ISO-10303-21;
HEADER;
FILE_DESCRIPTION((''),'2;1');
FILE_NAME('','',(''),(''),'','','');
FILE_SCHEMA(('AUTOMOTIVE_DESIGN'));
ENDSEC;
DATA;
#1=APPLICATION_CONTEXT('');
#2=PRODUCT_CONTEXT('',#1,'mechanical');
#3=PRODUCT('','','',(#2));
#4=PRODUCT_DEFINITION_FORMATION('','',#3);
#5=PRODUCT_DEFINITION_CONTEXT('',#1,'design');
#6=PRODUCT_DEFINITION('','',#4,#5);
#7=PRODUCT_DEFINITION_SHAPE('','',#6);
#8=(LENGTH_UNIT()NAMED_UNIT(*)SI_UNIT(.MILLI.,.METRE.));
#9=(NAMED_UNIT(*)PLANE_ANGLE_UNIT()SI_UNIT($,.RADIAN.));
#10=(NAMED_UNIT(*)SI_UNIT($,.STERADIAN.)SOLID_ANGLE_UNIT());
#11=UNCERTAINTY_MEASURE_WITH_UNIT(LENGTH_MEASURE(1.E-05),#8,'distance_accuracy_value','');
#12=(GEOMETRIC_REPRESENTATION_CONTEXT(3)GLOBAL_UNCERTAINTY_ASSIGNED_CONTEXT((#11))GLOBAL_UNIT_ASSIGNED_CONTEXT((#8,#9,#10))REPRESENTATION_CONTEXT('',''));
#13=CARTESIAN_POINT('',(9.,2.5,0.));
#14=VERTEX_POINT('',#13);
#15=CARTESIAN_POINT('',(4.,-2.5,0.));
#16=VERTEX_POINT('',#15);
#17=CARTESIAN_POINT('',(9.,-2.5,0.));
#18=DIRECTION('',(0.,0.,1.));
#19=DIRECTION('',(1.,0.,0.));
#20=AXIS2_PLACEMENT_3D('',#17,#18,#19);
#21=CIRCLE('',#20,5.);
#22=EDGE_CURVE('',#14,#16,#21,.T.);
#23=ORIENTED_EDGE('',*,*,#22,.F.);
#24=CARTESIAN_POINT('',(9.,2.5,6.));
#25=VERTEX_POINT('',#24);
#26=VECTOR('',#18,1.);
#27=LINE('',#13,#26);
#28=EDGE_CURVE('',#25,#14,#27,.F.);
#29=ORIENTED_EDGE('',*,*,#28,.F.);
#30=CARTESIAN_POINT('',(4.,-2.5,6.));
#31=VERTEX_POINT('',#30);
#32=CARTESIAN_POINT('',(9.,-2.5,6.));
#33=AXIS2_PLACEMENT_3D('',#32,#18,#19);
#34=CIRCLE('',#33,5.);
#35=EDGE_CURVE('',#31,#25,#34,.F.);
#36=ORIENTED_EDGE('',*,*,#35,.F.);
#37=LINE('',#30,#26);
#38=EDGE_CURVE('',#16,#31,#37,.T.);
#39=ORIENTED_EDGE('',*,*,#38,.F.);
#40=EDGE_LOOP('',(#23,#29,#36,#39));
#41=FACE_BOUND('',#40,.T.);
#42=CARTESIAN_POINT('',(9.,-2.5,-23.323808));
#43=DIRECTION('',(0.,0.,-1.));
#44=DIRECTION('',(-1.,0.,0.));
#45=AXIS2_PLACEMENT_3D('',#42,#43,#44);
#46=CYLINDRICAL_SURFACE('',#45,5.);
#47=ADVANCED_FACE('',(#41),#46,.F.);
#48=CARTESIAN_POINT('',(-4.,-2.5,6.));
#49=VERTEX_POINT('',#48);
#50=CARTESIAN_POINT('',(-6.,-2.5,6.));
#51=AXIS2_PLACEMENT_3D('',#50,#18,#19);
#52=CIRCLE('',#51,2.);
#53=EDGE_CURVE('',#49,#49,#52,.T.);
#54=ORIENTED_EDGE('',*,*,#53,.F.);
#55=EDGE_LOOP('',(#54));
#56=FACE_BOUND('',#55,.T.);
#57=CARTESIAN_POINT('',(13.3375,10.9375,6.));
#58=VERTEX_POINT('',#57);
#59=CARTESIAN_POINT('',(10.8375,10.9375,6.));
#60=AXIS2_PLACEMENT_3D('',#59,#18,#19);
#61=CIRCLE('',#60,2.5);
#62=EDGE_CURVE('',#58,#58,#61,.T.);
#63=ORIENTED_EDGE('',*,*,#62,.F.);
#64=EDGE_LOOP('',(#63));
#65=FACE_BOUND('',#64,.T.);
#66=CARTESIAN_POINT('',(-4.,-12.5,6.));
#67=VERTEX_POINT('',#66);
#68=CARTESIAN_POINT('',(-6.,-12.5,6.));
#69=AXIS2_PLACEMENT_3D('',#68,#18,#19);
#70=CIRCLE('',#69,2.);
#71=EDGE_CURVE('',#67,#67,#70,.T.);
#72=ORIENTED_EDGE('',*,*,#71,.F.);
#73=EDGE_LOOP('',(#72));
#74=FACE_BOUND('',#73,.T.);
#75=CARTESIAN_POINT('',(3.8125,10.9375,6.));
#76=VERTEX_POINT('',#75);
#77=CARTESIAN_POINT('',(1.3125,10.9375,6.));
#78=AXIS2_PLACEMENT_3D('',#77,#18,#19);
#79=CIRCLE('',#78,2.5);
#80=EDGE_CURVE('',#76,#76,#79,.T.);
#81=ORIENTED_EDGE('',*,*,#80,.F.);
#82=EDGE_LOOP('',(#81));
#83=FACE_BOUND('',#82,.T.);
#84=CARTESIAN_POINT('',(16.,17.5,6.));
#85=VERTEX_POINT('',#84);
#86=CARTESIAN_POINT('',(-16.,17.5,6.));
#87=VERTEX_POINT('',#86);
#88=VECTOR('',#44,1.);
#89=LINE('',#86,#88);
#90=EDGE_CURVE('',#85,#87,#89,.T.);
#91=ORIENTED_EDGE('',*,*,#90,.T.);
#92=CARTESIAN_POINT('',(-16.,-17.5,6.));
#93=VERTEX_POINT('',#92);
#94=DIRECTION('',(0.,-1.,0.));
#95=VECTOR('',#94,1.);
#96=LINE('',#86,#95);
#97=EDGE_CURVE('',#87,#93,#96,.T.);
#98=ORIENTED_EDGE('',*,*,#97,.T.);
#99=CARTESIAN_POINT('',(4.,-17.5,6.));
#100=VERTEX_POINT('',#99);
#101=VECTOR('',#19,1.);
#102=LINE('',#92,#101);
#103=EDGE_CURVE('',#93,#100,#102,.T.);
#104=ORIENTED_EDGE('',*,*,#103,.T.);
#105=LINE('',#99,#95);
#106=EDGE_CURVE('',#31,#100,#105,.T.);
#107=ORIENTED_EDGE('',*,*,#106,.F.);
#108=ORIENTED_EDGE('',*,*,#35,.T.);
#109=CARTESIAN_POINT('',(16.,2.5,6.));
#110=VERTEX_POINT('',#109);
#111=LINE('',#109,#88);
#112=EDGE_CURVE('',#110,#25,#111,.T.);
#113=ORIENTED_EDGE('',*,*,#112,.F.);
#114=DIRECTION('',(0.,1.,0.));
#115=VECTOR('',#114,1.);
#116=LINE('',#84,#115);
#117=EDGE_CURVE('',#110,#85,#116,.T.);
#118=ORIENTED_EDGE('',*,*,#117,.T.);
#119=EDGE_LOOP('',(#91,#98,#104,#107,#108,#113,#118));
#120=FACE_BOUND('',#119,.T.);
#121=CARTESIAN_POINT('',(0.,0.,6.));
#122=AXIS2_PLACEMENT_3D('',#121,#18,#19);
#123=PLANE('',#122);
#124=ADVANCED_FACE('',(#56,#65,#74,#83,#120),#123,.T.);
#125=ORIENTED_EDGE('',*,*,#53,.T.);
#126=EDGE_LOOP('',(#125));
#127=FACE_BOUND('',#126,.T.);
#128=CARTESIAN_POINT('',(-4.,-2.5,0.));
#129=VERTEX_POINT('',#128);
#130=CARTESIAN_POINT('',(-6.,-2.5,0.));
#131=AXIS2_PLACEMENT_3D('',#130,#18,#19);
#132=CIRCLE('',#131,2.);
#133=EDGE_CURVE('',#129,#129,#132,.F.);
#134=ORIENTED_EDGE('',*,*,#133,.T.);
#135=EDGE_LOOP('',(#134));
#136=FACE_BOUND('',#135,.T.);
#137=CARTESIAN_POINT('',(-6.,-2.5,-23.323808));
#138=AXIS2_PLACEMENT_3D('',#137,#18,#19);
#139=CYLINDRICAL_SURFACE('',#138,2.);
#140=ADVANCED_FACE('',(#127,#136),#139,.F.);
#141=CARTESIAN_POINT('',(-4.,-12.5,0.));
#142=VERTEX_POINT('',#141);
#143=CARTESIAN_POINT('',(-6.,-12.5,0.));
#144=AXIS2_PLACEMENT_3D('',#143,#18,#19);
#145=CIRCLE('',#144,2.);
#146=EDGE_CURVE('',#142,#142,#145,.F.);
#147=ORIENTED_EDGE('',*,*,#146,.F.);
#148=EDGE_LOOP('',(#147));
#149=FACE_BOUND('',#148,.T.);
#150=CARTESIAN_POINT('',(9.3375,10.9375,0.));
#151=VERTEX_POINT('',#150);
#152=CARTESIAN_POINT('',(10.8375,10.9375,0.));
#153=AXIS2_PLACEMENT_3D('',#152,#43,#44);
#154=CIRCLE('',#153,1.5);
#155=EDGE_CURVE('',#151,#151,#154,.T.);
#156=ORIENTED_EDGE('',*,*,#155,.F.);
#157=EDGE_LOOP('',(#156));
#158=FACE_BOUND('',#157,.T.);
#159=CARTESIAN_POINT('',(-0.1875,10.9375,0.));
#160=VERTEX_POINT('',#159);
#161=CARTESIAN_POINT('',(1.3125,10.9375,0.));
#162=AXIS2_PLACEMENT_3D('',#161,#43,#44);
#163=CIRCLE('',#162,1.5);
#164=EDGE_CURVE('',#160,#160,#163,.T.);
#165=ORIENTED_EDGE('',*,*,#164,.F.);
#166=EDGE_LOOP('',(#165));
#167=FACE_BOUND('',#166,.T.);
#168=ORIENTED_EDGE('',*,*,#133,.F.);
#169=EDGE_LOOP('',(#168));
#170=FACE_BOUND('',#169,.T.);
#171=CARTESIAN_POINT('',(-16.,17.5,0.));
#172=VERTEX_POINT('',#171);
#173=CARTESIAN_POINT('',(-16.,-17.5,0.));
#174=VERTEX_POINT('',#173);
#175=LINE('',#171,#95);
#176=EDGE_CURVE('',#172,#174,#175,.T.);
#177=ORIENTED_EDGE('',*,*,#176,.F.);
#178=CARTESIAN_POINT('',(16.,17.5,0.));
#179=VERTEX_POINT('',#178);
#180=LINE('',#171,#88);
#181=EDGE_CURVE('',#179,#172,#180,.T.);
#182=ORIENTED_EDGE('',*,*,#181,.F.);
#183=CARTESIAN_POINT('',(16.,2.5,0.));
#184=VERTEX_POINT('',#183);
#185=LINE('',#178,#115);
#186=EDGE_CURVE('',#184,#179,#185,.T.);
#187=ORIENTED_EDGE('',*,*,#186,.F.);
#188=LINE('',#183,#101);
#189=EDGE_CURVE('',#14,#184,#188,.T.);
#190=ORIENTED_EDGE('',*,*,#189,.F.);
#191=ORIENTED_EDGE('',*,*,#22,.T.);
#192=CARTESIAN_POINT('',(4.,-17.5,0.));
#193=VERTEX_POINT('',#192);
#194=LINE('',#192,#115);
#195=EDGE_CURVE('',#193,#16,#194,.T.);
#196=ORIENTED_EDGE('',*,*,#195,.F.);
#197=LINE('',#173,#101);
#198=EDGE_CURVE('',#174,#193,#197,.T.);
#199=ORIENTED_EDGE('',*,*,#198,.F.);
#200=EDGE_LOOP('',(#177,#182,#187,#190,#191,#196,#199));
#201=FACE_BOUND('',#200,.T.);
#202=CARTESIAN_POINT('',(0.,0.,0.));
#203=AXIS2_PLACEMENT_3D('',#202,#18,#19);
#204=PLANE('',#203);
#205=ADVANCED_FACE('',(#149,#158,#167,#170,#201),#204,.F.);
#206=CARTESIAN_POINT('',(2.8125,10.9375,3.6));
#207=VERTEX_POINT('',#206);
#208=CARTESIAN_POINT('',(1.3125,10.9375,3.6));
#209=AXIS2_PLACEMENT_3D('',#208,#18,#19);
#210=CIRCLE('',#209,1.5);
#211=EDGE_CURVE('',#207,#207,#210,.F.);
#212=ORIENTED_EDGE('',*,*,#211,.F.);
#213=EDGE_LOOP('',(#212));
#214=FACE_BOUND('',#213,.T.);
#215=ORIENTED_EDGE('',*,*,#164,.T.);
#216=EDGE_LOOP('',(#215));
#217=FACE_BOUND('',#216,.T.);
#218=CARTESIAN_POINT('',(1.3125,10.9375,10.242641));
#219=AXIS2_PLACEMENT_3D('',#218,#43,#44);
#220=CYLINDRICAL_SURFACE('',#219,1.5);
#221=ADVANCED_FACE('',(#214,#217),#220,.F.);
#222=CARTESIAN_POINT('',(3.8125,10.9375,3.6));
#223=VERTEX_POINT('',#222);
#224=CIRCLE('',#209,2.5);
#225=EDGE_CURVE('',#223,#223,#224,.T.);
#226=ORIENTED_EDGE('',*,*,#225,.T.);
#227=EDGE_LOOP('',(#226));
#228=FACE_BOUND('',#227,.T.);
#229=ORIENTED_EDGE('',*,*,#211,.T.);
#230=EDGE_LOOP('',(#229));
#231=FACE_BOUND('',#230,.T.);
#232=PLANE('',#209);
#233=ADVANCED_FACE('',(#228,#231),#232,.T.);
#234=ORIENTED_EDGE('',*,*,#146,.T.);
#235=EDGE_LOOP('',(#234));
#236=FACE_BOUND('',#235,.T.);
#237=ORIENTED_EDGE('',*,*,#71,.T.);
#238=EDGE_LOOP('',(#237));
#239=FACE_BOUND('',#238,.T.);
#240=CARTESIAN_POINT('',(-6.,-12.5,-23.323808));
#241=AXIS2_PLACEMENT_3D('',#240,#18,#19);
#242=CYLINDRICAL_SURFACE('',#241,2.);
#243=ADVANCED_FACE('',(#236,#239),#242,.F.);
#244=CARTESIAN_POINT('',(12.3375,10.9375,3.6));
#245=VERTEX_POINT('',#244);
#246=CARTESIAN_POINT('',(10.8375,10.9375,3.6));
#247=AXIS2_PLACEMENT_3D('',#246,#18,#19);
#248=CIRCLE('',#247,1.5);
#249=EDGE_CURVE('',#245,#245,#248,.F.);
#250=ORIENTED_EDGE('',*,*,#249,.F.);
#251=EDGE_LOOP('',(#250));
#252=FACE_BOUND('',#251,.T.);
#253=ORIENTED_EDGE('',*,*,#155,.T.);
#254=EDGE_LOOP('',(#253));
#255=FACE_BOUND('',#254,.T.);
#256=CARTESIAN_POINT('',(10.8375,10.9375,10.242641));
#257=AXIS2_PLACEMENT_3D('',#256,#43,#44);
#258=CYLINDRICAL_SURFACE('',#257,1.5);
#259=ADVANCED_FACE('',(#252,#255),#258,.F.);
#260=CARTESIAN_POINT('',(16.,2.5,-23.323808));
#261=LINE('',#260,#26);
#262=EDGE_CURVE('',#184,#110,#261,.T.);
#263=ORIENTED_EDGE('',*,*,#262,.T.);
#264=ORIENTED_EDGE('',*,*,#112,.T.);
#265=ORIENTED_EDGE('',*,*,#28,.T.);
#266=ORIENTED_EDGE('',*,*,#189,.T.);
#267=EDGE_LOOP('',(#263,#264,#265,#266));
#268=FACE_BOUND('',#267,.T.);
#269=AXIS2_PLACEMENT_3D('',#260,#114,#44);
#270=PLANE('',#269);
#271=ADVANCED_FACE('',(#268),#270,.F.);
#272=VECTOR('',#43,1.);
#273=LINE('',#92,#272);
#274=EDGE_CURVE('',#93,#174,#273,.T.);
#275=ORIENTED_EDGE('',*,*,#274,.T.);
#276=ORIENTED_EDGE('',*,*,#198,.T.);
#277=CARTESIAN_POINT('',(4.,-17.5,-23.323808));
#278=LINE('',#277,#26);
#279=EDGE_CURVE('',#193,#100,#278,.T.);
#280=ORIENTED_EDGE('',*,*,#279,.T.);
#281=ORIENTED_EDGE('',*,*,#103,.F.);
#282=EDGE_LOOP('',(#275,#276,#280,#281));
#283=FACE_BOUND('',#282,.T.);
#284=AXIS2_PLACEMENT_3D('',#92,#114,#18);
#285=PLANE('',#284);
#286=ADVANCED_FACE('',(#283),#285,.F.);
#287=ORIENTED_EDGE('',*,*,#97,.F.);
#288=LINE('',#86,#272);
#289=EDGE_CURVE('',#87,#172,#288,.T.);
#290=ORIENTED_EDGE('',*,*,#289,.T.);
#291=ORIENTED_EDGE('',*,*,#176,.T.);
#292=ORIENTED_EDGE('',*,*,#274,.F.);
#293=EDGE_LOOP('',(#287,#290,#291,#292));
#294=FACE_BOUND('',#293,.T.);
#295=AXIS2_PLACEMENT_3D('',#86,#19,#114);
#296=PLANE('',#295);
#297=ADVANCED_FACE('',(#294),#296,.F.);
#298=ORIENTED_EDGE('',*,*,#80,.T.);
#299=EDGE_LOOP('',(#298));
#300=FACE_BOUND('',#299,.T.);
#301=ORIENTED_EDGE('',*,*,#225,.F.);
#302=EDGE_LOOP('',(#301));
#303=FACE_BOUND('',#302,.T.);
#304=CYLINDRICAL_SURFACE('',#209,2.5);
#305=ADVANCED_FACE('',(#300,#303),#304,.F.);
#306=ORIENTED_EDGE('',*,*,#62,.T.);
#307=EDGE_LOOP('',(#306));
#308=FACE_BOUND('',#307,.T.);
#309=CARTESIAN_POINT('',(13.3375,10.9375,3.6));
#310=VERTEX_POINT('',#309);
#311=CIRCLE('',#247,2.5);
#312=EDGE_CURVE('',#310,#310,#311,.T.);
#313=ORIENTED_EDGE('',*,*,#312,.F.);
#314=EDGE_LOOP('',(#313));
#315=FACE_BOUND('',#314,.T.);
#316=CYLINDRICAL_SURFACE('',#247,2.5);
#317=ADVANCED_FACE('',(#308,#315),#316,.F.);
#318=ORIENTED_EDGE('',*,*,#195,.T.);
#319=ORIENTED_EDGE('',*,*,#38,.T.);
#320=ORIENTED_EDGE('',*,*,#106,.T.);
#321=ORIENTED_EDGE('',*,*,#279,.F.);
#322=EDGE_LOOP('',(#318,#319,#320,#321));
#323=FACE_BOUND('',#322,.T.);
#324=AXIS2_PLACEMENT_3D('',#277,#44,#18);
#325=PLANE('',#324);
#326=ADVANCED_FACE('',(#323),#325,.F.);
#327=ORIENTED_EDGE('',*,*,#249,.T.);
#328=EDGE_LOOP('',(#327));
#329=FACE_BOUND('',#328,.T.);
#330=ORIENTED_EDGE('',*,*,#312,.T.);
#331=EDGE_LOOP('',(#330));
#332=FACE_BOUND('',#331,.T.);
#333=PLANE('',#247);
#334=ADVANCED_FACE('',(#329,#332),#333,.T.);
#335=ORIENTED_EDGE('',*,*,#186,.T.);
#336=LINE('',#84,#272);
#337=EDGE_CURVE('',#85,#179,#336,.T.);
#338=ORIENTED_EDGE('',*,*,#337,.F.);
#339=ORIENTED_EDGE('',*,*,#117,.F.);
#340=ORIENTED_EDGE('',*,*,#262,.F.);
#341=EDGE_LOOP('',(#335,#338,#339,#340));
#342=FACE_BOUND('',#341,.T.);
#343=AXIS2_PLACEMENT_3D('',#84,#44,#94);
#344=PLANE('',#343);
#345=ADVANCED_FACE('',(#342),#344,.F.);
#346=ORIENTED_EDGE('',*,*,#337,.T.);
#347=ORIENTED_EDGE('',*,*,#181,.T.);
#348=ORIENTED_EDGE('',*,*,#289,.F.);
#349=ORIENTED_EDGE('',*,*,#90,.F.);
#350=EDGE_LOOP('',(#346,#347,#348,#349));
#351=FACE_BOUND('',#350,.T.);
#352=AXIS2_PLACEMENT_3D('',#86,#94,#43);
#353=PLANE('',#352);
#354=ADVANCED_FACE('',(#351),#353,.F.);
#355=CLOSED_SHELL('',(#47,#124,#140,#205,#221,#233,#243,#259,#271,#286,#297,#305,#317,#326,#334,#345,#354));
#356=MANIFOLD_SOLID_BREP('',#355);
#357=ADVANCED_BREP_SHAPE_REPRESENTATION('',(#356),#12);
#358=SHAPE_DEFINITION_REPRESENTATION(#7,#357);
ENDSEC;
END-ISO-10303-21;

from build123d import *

# Parameters (mm, degrees)
ESBO_O1_W                = 32
ESBO_O1_H                = 35
RESSALTO_EXTRUS_O1_DEPTH = 6
ESBO_O2_R                = 2
ESBO_O2_W                = 12
ESBO_O2_H                = 20
CORTE_EXTRUS_O1_DEPTH    = 6
FILETE1_R                = 5
ESBO_O5_R                = 1.5
CORTE_EXTRUS_O3_DEPTH    = 6
ESBO_O6_R                = 2.5
CORTE_EXTRUS_O4_DEPTH    = 2.4


with BuildPart() as part:
    # Esboço1 → Ressalto-extrusão1 (new body)
    with BuildSketch(Plane.XY):
        Rectangle(ESBO_O1_W, ESBO_O1_H)
    extrude(amount=RESSALTO_EXTRUS_O1_DEPTH)

    # Esboço2 → Corte-extrusão1 (cut)
    with BuildSketch(Plane.XY.offset(6)):
        with Locations((-6, -12.5)):
            Circle(ESBO_O2_R)
        with Locations((-6, -2.5)):
            Circle(ESBO_O2_R)
        with Locations((10, -7.5)):
            Rectangle(ESBO_O2_W, ESBO_O2_H)
    extrude(amount=-CORTE_EXTRUS_O1_DEPTH, mode=Mode.SUBTRACT)

    # Filete1
    filete1_edges = [part.edges().sort_by_distance(p)[0] for p in [
        (4, 2.5, 3),
    ]]
    fillet(filete1_edges, radius=FILETE1_R)

    # Esboço5 → Corte-extrusão3 (cut)
    with BuildSketch(Plane(origin=(0, 0, 0), x_dir=(-1, 0, 0), z_dir=(0, 0, -1))):
        with Locations((-10.8375, 10.9375)):
            Circle(ESBO_O5_R)
        with Locations((-1.3125, 10.9375)):
            Circle(ESBO_O5_R)
    extrude(amount=-CORTE_EXTRUS_O3_DEPTH, mode=Mode.SUBTRACT)

    # Esboço6 → Corte-extrusão4 (cut)
    with BuildSketch(Plane.XY.offset(6)):
        with Locations((10.8375, 10.9375)):
            Circle(ESBO_O6_R)
        with Locations((1.3125, 10.9375)):
            Circle(ESBO_O6_R)
    extrude(amount=-CORTE_EXTRUS_O4_DEPTH, mode=Mode.SUBTRACT)


solid = part.part
